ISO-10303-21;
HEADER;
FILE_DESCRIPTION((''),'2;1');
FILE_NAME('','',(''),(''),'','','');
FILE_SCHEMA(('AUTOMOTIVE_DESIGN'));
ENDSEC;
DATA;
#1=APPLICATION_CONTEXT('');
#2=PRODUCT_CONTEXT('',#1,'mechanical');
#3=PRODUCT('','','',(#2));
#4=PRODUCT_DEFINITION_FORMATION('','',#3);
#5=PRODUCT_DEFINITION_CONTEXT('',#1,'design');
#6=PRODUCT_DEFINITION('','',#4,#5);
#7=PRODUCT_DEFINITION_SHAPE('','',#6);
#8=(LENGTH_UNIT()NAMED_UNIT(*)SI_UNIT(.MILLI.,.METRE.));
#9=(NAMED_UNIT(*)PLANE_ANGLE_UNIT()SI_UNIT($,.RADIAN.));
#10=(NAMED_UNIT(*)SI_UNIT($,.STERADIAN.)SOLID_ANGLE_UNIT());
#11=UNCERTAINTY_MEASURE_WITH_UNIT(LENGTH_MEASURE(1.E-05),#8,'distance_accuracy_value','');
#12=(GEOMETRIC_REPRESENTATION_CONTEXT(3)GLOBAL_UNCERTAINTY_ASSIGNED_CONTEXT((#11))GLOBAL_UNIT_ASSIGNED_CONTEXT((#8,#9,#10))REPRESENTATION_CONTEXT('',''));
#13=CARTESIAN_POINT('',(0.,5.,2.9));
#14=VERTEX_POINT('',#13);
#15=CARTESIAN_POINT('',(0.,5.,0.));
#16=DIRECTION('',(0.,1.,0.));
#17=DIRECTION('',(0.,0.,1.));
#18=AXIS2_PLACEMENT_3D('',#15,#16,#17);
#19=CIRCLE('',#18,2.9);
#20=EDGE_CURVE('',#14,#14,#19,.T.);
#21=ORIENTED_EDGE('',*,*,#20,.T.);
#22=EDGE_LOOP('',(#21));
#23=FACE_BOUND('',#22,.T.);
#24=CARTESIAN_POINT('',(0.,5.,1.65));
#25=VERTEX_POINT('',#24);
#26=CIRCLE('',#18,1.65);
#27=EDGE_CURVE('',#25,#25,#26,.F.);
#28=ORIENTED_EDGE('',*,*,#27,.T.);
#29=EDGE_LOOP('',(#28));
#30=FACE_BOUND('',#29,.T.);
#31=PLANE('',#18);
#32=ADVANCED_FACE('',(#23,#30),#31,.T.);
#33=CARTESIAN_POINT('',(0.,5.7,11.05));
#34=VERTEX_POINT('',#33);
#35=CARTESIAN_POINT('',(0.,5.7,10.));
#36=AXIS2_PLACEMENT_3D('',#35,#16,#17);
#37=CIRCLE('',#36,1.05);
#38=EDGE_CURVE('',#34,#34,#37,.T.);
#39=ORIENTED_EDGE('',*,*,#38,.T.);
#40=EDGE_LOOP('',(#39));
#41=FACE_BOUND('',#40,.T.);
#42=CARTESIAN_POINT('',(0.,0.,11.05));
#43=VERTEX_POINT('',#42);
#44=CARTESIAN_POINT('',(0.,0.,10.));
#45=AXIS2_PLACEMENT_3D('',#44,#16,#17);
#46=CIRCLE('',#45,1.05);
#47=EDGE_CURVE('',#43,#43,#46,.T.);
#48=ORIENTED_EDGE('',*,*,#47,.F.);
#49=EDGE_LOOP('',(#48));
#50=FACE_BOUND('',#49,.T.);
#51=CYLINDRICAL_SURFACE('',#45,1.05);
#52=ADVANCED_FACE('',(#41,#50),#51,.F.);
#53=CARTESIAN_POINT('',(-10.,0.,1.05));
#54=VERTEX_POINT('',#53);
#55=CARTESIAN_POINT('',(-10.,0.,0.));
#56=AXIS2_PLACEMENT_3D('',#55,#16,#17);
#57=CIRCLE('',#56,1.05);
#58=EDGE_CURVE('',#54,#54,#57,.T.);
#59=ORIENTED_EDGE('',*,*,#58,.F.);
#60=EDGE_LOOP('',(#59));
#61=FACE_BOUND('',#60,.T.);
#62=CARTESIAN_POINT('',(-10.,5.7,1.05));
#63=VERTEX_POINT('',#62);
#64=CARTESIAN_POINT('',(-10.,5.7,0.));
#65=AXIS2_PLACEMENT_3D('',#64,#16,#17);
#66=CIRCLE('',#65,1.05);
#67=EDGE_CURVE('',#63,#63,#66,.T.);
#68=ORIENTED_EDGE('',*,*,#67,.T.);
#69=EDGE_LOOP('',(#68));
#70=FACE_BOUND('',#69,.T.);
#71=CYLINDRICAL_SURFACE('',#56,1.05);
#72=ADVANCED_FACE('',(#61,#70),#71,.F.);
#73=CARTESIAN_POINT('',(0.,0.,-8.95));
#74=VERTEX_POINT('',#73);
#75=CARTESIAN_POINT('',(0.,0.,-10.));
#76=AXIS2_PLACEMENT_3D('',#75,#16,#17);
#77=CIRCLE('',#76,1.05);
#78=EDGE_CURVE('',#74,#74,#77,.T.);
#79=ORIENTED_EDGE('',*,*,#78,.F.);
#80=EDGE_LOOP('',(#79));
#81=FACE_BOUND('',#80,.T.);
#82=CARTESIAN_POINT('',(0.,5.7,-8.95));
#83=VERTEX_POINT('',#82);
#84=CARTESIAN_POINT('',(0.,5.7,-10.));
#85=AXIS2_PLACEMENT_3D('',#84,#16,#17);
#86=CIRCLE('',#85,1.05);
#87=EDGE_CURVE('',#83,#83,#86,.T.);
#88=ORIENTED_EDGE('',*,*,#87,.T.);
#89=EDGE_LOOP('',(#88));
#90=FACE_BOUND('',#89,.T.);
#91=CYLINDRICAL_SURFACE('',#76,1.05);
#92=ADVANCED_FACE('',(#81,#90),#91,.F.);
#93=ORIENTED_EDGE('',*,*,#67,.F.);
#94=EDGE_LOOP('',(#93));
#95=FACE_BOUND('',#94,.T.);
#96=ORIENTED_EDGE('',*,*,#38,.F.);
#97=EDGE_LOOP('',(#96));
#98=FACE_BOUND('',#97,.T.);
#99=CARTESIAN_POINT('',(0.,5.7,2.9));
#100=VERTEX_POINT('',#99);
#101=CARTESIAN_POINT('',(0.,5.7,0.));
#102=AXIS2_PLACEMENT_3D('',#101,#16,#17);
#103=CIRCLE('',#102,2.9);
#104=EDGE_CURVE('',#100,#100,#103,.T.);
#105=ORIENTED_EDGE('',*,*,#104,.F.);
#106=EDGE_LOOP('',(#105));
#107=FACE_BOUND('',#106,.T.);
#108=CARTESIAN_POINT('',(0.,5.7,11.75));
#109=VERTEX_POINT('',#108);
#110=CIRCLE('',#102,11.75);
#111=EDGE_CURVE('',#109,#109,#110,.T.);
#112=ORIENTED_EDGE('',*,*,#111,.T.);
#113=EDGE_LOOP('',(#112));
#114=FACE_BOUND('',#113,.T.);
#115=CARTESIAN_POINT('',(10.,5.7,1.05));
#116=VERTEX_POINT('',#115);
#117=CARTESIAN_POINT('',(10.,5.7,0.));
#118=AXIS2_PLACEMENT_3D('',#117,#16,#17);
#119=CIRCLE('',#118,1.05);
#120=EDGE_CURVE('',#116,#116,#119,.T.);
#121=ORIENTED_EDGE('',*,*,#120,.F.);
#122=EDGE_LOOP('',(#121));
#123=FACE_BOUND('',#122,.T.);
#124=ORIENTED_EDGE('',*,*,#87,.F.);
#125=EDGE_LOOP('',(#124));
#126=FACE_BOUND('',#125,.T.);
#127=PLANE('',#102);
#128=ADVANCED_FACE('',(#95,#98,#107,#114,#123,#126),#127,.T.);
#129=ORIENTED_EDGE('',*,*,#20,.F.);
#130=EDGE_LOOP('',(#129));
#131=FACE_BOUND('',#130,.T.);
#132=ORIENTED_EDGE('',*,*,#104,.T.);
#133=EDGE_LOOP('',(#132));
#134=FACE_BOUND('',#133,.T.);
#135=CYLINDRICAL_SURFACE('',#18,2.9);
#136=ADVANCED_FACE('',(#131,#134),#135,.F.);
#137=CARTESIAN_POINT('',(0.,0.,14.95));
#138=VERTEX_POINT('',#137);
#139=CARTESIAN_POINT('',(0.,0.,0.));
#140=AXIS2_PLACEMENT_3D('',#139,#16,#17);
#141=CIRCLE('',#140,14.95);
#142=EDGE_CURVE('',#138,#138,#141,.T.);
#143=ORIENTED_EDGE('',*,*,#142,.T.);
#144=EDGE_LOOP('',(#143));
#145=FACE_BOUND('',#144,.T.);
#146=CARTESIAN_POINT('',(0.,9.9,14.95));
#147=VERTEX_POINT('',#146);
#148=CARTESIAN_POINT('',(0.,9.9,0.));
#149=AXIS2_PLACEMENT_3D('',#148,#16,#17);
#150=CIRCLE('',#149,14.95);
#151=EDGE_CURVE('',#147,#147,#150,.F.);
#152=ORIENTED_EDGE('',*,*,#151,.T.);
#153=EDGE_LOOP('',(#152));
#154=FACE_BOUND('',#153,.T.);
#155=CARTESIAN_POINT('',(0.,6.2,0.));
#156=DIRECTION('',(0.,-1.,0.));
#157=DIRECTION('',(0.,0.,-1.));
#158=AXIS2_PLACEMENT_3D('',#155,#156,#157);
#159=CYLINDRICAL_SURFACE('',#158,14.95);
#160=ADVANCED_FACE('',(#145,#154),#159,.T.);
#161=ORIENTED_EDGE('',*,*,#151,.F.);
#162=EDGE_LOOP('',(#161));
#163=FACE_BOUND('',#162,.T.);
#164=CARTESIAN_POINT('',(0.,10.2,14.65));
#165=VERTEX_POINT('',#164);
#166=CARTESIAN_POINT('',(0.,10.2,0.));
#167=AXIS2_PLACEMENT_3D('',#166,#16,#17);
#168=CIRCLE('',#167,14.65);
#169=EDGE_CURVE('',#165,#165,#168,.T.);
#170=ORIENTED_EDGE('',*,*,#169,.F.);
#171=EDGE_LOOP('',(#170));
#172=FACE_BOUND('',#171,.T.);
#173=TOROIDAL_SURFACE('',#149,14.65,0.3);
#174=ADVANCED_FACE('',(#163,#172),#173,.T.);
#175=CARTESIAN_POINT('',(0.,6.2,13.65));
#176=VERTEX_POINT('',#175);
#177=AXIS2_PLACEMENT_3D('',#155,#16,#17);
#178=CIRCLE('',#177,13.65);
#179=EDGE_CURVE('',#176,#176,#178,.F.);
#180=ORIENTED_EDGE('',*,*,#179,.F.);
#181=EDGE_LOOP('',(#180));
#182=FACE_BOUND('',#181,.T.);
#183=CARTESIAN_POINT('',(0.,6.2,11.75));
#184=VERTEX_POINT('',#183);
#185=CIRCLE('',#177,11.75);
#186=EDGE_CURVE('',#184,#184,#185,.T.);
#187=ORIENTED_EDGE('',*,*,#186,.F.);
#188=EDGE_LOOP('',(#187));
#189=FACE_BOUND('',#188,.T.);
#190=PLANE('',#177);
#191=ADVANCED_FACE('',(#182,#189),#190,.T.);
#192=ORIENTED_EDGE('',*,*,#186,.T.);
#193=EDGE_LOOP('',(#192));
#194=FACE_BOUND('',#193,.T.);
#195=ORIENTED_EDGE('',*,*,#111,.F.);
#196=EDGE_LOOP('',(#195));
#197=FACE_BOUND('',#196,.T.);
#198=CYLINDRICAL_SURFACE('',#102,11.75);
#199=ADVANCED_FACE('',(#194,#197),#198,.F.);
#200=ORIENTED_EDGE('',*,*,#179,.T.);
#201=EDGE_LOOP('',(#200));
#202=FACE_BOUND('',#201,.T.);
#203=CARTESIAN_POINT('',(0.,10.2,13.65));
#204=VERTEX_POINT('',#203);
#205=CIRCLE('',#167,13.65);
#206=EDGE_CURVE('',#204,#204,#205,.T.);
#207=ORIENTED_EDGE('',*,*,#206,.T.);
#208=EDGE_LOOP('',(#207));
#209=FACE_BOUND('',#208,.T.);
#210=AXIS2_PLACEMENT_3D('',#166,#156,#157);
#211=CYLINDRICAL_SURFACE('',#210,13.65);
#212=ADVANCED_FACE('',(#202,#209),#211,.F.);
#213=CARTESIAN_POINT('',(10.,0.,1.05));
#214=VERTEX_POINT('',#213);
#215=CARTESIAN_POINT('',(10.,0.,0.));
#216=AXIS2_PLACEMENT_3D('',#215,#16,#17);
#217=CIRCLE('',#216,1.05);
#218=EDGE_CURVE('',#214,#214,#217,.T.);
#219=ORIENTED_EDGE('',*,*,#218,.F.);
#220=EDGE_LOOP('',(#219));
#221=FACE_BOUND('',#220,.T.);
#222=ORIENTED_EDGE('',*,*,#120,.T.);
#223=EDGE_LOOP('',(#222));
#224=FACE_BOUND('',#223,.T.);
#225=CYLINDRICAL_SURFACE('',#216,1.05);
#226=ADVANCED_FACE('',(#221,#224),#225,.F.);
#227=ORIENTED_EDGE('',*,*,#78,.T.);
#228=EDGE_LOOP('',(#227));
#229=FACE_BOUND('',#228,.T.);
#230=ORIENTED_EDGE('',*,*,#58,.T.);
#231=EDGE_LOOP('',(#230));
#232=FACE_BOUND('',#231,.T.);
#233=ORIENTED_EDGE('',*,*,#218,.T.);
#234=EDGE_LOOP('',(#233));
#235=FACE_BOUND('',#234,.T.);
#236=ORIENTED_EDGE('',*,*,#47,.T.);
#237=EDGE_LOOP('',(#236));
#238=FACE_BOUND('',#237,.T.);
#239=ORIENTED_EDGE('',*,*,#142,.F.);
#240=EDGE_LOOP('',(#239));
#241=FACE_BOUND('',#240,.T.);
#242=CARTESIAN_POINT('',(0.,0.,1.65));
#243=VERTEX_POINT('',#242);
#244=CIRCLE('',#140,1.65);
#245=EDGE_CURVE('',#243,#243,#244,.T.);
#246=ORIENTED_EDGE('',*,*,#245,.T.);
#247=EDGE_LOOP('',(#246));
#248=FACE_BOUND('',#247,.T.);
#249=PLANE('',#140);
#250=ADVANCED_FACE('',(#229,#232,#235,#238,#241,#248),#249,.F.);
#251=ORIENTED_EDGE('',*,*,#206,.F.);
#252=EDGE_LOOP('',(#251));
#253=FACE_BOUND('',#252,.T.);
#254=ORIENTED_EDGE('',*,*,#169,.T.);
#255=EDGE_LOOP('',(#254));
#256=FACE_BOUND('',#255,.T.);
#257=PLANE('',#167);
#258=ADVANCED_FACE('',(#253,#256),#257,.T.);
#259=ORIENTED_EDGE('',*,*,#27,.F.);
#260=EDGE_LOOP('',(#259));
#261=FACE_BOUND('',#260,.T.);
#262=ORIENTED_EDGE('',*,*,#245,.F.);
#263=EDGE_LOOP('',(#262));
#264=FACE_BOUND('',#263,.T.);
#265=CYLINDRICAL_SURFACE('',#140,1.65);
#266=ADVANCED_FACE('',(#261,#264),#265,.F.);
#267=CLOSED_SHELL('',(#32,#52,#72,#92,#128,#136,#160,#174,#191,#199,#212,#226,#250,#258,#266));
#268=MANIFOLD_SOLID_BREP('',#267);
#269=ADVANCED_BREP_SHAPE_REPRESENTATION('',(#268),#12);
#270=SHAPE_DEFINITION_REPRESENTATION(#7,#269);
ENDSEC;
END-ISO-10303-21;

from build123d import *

# Parameters (mm, degrees)
SKETCH1_R           = 14.95
BOSS_EXTRUDE1_DEPTH = 6.2
SKETCH2_R           = 11.75
CUT_EXTRUDE1_DEPTH  = 0.5
SKETCH3_R           = 14.95
SKETCH3_R_2         = 13.65
BOSS_EXTRUDE2_DEPTH = 4
FILLET1_R           = 0.3
SKETCH4_R           = 1.65
CUT_EXTRUDE2_DEPTH  = 6.7
SKETCH18_R          = 2.9
CUT_EXTRUDE10_DEPTH = 0.7
SKETCH19_R          = 1.05
CUT_EXTRUDE11_DEPTH = 6.7


with BuildPart() as part:
    # Sketch1 → Boss-Extrude1 (new body)
    with BuildSketch(Plane(origin=(0, 0, 0), x_dir=(1, 0, 0), z_dir=(0, 1, 0))):
        Circle(SKETCH1_R)
    extrude(amount=BOSS_EXTRUDE1_DEPTH)

    # Sketch2 → Cut-Extrude1 (cut)
    with BuildSketch(Plane(origin=(0, 6.2, 0), x_dir=(1, 0, 0), z_dir=(0, 1, 0))):
        Circle(SKETCH2_R)
    extrude(amount=-CUT_EXTRUDE1_DEPTH, mode=Mode.SUBTRACT)

    # Sketch3 → Boss-Extrude2 (add)
    with BuildSketch(Plane(origin=(0, 6.2, 0), x_dir=(1, 0, 0), z_dir=(0, 1, 0))):
        Circle(SKETCH3_R)
        Circle(SKETCH3_R_2, mode=Mode.SUBTRACT)
    extrude(amount=BOSS_EXTRUDE2_DEPTH)

    # Fillet1
    fillet1_edges = [part.edges().sort_by_distance(p)[0] for p in [
        (-14.95, 10.2, 0),
    ]]
    fillet(fillet1_edges, radius=FILLET1_R)

    # Sketch4 → Cut-Extrude2 (cut, through all)
    with BuildSketch(Plane(origin=(0, 5.7, 0), x_dir=(1, 0, 0), z_dir=(0, 1, 0))):
        Circle(SKETCH4_R)
    extrude(amount=-CUT_EXTRUDE2_DEPTH, mode=Mode.SUBTRACT)

    # Sketch18 → Cut-Extrude10 (cut)
    with BuildSketch(Plane(origin=(0, 5.7, 0), x_dir=(1, 0, 0), z_dir=(0, 1, 0))):
        Circle(SKETCH18_R)
    extrude(amount=-CUT_EXTRUDE10_DEPTH, mode=Mode.SUBTRACT)

    # Sketch19 → Cut-Extrude11 (cut, through all)
    with BuildSketch(Plane(origin=(0, 5.7, 0), x_dir=(1, 0, 0), z_dir=(0, 1, 0))):
        with Locations((0, 10)):
            Circle(SKETCH19_R)
        with Locations((10, 0)):
            Circle(SKETCH19_R)
        with Locations((0, -10)):
            Circle(SKETCH19_R)
        with Locations((-10, 0)):
            Circle(SKETCH19_R)
    extrude(amount=-CUT_EXTRUDE11_DEPTH, mode=Mode.SUBTRACT)


solid = part.part
